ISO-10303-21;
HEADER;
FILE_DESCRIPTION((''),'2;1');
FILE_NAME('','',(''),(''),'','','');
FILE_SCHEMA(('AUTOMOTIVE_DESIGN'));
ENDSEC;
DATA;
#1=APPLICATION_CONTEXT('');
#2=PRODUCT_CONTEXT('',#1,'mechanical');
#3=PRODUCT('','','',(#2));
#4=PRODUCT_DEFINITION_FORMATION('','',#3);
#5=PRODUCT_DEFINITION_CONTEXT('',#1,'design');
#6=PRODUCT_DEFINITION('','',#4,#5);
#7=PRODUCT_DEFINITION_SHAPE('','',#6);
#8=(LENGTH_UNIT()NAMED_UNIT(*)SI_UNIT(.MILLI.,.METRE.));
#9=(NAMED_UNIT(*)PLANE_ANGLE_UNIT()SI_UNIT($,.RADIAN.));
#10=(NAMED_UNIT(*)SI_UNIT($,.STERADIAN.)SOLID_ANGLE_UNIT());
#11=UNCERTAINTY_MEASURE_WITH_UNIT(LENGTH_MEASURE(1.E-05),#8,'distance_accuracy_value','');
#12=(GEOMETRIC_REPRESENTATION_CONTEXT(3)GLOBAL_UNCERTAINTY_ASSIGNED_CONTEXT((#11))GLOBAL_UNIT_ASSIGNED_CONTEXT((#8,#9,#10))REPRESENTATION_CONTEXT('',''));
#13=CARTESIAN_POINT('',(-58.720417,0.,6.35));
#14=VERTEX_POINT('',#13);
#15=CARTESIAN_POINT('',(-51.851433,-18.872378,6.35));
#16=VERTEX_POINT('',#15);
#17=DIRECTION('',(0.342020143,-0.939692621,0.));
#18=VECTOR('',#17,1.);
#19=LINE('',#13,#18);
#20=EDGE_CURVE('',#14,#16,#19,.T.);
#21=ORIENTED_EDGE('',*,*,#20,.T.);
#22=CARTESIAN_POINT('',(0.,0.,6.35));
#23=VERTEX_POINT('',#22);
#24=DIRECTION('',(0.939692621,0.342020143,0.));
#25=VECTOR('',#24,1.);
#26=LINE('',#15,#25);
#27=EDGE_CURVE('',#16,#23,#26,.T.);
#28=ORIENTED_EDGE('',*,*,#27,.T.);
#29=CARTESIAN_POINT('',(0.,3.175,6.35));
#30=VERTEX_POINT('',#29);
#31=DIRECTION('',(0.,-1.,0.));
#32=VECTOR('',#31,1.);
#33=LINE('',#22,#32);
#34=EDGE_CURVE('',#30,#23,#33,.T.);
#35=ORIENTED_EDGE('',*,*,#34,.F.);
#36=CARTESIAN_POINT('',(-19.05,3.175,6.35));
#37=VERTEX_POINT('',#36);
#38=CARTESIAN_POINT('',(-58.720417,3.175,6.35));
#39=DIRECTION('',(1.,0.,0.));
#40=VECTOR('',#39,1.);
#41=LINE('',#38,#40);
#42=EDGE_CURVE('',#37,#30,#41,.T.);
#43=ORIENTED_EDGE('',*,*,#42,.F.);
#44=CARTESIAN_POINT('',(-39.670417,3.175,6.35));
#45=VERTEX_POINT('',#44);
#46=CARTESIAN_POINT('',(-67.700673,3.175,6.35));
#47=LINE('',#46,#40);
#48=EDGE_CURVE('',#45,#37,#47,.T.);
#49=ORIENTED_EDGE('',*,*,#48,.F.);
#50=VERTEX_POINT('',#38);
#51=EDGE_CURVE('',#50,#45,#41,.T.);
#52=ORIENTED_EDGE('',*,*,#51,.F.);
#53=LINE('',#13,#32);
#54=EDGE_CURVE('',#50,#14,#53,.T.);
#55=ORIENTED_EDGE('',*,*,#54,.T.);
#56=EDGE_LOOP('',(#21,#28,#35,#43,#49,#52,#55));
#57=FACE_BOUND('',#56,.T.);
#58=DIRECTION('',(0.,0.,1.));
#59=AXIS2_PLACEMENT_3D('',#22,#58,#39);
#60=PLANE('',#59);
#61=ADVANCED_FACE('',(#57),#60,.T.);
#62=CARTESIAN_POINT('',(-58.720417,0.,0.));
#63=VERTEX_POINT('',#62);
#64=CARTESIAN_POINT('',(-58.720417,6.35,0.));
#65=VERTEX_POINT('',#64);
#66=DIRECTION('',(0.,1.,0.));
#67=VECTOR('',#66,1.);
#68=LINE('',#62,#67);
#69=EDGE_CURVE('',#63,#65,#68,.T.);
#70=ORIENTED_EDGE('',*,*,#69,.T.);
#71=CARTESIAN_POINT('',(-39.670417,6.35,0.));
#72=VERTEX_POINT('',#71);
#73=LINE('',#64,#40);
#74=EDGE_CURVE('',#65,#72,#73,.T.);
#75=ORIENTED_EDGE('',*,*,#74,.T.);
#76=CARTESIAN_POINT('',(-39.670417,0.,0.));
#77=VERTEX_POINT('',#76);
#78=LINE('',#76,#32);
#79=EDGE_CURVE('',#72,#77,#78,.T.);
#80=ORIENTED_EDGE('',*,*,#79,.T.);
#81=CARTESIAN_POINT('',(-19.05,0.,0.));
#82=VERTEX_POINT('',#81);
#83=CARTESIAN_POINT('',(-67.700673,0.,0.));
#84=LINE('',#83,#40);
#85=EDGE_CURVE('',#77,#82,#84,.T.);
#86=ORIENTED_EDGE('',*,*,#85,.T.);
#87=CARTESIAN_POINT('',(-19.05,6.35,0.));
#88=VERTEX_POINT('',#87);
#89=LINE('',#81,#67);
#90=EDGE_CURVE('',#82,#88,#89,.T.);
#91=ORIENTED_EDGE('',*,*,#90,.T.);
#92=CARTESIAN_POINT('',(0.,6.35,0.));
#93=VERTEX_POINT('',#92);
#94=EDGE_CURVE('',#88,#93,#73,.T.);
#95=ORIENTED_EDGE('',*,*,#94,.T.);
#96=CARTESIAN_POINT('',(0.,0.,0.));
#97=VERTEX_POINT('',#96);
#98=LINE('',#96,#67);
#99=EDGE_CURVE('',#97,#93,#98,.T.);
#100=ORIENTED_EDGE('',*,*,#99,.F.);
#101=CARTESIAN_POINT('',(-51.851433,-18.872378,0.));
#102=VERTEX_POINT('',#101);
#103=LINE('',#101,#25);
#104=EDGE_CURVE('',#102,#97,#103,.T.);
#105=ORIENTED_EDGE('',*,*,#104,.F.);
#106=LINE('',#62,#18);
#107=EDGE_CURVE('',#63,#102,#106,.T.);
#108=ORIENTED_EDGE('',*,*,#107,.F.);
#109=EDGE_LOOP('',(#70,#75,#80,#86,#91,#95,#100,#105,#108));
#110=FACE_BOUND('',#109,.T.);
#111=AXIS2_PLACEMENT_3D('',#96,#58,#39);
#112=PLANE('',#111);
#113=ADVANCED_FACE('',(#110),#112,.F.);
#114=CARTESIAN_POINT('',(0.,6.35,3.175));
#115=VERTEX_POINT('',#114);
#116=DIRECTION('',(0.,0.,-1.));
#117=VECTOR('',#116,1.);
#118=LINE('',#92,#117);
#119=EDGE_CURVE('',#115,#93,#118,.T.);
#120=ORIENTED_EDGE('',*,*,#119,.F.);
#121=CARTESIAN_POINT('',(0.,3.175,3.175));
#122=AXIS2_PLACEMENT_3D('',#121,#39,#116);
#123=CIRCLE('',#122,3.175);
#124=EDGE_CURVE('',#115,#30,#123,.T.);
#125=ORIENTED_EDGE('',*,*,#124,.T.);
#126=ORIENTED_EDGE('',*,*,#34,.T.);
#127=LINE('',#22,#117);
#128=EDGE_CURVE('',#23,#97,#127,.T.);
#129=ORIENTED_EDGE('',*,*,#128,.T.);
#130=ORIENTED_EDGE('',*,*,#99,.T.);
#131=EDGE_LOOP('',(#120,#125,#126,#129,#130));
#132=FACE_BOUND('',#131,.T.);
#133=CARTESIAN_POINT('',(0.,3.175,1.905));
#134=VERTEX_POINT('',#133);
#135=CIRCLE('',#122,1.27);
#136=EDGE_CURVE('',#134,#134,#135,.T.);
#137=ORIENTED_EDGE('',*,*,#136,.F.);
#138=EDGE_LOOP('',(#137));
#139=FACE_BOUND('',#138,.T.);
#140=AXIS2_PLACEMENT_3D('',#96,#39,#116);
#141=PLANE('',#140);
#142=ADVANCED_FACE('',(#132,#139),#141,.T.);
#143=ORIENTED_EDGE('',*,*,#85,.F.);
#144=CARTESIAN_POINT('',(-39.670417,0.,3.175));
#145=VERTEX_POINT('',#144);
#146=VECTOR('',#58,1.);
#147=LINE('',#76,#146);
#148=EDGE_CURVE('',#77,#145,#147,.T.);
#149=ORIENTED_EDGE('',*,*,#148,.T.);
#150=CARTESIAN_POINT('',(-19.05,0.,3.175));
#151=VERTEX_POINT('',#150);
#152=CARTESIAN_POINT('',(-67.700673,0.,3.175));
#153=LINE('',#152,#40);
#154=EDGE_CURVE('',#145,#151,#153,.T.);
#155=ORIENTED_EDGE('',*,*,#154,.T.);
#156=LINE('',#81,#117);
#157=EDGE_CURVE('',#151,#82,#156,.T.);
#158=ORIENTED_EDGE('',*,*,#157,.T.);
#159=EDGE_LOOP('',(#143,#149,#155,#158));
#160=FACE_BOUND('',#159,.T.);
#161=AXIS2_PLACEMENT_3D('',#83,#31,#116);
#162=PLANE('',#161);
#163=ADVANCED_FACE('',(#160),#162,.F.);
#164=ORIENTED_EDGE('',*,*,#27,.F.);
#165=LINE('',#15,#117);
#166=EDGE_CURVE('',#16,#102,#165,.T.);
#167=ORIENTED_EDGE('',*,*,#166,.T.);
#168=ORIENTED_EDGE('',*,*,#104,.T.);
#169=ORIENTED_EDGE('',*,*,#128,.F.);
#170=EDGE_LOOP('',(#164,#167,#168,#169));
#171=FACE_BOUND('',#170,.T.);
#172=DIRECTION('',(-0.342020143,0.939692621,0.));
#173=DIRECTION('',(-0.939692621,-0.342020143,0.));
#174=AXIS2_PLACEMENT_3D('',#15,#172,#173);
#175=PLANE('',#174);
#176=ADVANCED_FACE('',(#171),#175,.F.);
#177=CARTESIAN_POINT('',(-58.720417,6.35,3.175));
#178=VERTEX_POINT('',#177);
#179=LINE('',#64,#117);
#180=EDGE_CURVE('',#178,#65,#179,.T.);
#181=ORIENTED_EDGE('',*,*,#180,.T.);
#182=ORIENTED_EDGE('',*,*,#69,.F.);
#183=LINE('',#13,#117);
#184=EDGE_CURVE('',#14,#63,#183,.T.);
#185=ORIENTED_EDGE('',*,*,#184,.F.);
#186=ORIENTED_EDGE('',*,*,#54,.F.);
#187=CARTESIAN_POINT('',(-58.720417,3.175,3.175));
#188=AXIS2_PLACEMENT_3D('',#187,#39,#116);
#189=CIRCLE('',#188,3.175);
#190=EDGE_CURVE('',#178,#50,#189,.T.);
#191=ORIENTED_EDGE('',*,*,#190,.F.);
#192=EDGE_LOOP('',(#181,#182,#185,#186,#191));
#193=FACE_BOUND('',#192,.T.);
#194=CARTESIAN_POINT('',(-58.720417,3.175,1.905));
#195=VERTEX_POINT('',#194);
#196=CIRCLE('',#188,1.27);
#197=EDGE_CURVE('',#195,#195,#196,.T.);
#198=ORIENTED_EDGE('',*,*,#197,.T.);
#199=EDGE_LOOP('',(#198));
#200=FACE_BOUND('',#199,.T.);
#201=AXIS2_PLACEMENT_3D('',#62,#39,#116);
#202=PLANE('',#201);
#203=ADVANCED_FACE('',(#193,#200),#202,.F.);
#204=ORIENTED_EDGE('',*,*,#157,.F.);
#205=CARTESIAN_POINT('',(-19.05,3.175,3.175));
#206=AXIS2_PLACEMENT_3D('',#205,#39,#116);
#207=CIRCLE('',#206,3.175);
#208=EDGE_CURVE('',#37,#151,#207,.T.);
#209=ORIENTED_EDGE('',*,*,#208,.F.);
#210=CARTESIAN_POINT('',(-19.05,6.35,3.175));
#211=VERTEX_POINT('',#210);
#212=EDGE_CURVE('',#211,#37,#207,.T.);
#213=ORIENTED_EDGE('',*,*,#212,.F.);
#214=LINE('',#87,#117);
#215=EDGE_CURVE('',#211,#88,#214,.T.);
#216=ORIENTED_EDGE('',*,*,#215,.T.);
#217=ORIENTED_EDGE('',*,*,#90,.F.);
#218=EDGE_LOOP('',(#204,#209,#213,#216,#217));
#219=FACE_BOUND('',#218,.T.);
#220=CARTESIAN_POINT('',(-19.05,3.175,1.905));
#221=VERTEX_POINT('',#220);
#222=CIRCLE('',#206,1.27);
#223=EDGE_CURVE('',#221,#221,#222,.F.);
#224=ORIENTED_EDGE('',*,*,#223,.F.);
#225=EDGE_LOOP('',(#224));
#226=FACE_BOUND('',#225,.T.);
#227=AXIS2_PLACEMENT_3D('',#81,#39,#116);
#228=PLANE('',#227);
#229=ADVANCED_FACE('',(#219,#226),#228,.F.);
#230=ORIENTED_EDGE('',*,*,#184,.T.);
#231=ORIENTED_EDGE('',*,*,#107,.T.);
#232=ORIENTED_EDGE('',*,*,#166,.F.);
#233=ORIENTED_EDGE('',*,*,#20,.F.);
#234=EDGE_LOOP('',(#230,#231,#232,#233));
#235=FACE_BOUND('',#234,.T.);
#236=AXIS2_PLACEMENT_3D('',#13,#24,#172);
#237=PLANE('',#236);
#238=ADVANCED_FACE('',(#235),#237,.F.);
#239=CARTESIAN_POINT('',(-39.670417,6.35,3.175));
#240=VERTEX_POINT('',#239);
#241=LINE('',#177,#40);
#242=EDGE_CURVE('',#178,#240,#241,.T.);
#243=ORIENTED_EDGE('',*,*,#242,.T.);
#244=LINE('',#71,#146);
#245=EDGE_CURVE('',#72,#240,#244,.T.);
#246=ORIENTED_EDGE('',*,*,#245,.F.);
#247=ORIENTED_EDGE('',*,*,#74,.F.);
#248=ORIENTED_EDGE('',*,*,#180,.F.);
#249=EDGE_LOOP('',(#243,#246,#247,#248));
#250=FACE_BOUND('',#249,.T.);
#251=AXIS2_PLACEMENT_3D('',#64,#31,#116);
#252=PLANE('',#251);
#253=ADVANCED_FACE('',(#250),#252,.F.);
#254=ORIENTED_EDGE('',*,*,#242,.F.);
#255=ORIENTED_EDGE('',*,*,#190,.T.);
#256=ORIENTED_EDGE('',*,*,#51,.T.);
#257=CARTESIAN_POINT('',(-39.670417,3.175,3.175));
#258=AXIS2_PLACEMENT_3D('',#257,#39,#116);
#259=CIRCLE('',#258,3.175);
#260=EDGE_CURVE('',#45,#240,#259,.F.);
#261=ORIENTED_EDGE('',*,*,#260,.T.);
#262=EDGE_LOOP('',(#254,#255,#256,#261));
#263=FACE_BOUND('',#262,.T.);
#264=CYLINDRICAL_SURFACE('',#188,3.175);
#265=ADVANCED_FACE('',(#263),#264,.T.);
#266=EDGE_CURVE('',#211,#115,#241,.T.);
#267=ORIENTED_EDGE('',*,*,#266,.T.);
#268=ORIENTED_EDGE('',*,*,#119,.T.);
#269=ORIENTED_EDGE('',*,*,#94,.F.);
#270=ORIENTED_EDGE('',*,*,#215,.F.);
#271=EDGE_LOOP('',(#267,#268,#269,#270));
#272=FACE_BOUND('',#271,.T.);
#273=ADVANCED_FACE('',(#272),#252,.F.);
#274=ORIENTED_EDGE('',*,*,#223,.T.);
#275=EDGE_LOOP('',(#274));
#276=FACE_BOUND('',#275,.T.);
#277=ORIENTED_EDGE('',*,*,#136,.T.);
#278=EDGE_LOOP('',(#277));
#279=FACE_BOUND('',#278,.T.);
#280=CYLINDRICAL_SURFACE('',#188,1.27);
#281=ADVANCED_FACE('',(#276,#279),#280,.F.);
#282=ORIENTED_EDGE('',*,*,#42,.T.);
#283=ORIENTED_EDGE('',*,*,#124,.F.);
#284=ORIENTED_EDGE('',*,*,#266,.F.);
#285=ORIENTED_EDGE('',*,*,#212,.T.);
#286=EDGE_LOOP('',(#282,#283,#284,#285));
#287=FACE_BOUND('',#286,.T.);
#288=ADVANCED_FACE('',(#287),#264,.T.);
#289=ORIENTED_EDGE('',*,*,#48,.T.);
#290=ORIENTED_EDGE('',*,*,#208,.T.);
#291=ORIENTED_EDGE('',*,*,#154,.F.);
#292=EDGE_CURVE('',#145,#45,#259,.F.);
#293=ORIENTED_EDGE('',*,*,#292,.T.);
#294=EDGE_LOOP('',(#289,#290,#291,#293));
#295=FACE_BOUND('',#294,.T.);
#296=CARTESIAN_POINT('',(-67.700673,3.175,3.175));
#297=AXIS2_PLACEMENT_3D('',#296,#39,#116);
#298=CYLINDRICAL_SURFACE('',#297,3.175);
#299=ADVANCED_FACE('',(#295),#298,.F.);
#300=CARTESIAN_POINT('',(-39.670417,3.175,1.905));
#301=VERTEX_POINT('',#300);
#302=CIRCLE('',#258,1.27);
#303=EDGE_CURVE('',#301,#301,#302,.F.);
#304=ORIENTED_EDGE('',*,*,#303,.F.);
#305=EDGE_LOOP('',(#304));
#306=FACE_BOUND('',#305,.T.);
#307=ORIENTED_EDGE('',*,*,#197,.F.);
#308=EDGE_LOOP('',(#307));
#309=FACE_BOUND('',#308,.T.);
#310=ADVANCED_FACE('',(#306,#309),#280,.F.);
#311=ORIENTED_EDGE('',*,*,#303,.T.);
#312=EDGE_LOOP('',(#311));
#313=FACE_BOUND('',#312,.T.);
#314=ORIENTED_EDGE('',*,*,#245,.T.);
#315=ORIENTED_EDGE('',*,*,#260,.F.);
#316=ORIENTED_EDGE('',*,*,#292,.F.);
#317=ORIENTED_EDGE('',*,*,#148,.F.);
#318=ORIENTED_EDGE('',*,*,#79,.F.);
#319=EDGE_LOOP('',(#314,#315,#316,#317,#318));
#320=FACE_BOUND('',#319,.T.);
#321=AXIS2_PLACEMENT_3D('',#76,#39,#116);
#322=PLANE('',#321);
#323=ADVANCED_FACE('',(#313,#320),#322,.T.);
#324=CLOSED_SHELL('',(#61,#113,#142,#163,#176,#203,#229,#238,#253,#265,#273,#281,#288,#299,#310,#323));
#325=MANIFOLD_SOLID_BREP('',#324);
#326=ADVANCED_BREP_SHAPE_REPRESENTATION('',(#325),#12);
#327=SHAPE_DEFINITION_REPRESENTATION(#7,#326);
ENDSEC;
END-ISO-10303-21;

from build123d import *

# Parameters (mm, degrees)
BOSS_EXTRUDE1_DEPTH = 6.35
SKETCH3_R           = 3.175
SKETCH3_R_2         = 1.27
BOSS_EXTRUDE3_DEPTH = 58.720417
CUT_EXTRUDE3_START  = -19.05
SKETCH3_7_R         = 3.175
SKETCH3_7_R_2       = 1.27
CUT_EXTRUDE3_DEPTH  = 20.620416805


with BuildPart() as part:
    # Sketch1 → Boss-Extrude1 (new body)
    with BuildSketch(Plane.XY):
        Polygon((-51.851432898, -18.872378179), (0, 0), (-58.720416805, 0), align=None)
    extrude(amount=BOSS_EXTRUDE1_DEPTH)

    # Sketch3 → Boss-Extrude3 (add)
    with BuildSketch(Plane(origin=(0, 0, 0), x_dir=(0, 0, -1), z_dir=(1, 0, 0))):
        with Locations((-3.175, 3.175)):
            Circle(SKETCH3_R)
        with Locations((-3.175, 3.175)):
            Circle(SKETCH3_R_2, mode=Mode.SUBTRACT)
        with BuildLine():
            Line((0, 0), (0, 3.175))
            ThreePointArc((0, 3.175), (-0.92993597, 0.92993597), (-3.175, 0))
            Line((-3.175, 0), (0, 0))
        make_face()
        with BuildLine():
            Line((0, 6.35), (-3.175, 6.35))
            ThreePointArc((-3.175, 6.35), (-0.92993597, 5.42006403), (0, 3.175))
            Line((0, 3.175), (0, 6.35))
        make_face()
        with BuildLine():
            ThreePointArc((-3.175, 0), (-5.42006403, 0.92993597), (-6.35, 3.175))
            Line((-6.35, 3.175), (-6.35, 0))
            Line((-6.35, 0), (-3.175, 0))
        make_face()
    extrude(amount=-BOSS_EXTRUDE3_DEPTH)

    # Sketch3<7> → Cut-Extrude3 (cut)
    with BuildSketch(Plane(origin=(0, 0, 0), x_dir=(0, 0, -1), z_dir=(1, 0, 0)).offset(CUT_EXTRUDE3_START)):
        with Locations((-3.175, 3.175)):
            Circle(SKETCH3_7_R)
        with Locations((-3.175, 3.175)):
            Circle(SKETCH3_7_R_2, mode=Mode.SUBTRACT)
        with BuildLine():
            Line((0, 6.35), (-3.175, 6.35))
            ThreePointArc((-3.175, 6.35), (-0.92993597, 5.42006403), (0, 3.175))
            Line((0, 3.175), (0, 6.35))
        make_face()
        with BuildLine():
            Line((0, 0), (0, 3.175))
            ThreePointArc((0, 3.175), (-0.92993597, 0.92993597), (-3.175, 0))
            Line((-3.175, 0), (0, 0))
        make_face()
    extrude(amount=-CUT_EXTRUDE3_DEPTH, mode=Mode.SUBTRACT)


solid = part.part
